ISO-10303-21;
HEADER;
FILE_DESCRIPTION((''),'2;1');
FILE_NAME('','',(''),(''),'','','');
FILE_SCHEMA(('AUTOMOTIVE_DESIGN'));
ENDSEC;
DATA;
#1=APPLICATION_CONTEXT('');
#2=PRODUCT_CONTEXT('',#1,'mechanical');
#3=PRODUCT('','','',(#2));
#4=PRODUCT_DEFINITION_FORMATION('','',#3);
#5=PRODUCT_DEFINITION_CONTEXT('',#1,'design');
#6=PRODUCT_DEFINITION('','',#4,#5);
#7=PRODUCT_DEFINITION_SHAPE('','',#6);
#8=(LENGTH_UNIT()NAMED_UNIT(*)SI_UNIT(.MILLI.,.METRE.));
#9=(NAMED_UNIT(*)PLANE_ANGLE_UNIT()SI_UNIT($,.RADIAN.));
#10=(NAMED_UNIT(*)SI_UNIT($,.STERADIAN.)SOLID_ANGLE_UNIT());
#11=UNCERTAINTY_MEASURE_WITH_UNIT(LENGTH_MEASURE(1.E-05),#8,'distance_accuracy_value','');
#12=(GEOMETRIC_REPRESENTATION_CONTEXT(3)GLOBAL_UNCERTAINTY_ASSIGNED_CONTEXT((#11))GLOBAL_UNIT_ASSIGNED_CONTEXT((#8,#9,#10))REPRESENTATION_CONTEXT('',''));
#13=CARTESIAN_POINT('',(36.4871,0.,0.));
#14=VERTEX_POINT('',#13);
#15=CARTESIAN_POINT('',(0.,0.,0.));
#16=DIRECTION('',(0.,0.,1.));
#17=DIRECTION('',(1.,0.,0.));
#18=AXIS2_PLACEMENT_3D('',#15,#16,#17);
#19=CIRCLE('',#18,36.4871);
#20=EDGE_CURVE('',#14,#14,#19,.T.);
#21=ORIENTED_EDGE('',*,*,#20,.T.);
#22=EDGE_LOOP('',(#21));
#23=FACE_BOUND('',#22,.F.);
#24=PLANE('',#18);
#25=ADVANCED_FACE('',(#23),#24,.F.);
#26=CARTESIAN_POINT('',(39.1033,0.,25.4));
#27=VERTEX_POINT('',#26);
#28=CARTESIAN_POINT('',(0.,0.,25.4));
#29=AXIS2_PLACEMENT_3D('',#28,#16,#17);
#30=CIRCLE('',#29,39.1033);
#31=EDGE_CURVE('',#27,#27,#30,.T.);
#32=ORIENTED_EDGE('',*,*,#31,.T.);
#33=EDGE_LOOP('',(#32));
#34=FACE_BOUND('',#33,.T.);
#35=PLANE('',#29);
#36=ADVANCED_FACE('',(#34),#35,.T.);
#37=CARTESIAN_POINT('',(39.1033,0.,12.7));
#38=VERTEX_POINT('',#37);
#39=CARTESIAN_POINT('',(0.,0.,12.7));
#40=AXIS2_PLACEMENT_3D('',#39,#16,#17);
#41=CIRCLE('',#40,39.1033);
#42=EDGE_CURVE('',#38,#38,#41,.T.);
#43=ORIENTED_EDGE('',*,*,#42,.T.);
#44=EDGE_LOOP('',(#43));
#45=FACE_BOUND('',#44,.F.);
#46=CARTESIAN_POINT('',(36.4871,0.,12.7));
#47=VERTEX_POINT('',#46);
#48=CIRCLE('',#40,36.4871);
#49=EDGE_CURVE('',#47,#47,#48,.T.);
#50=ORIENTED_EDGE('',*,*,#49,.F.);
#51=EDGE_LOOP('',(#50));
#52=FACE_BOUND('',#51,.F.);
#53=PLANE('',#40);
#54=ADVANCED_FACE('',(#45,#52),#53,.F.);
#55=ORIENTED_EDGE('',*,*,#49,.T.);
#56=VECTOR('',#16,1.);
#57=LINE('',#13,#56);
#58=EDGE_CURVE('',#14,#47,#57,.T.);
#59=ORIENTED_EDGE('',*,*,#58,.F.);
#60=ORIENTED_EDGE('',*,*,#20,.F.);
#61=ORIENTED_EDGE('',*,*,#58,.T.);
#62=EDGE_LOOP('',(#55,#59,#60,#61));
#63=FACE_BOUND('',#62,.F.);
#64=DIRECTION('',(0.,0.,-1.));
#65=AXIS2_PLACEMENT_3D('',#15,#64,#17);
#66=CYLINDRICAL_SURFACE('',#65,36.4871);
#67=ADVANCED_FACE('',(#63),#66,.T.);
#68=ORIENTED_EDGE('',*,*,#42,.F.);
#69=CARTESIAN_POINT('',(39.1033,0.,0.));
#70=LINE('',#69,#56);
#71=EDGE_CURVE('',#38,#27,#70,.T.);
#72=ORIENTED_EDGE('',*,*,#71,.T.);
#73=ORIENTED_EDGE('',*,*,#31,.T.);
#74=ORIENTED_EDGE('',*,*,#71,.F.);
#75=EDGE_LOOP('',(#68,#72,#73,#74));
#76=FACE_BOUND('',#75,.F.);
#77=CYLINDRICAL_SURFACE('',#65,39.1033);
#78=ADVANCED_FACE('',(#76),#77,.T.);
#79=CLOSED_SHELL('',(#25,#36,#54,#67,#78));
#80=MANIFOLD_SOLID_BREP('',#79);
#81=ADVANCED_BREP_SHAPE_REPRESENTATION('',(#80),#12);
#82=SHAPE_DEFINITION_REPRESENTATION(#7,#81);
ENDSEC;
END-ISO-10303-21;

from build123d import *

# Parameters (mm, degrees)
F0_R     = 39.1033
F1_DEPTH = 25.4
F2_R     = 39.1033
F2_R_2   = 36.4871
F3_DEPTH = 12.7


with BuildPart() as f1:
    # F0 (on Top) → F1 (new body)
    with BuildSketch(Plane.XY):
        Circle(F0_R)
    extrude(amount=F1_DEPTH)

    # F2 (on Top) → F3 (cut)
    with BuildSketch(Plane.XY):
        Circle(F2_R)
        Circle(F2_R_2, mode=Mode.SUBTRACT)
    extrude(amount=F3_DEPTH, mode=Mode.SUBTRACT)


solid = f1.part
